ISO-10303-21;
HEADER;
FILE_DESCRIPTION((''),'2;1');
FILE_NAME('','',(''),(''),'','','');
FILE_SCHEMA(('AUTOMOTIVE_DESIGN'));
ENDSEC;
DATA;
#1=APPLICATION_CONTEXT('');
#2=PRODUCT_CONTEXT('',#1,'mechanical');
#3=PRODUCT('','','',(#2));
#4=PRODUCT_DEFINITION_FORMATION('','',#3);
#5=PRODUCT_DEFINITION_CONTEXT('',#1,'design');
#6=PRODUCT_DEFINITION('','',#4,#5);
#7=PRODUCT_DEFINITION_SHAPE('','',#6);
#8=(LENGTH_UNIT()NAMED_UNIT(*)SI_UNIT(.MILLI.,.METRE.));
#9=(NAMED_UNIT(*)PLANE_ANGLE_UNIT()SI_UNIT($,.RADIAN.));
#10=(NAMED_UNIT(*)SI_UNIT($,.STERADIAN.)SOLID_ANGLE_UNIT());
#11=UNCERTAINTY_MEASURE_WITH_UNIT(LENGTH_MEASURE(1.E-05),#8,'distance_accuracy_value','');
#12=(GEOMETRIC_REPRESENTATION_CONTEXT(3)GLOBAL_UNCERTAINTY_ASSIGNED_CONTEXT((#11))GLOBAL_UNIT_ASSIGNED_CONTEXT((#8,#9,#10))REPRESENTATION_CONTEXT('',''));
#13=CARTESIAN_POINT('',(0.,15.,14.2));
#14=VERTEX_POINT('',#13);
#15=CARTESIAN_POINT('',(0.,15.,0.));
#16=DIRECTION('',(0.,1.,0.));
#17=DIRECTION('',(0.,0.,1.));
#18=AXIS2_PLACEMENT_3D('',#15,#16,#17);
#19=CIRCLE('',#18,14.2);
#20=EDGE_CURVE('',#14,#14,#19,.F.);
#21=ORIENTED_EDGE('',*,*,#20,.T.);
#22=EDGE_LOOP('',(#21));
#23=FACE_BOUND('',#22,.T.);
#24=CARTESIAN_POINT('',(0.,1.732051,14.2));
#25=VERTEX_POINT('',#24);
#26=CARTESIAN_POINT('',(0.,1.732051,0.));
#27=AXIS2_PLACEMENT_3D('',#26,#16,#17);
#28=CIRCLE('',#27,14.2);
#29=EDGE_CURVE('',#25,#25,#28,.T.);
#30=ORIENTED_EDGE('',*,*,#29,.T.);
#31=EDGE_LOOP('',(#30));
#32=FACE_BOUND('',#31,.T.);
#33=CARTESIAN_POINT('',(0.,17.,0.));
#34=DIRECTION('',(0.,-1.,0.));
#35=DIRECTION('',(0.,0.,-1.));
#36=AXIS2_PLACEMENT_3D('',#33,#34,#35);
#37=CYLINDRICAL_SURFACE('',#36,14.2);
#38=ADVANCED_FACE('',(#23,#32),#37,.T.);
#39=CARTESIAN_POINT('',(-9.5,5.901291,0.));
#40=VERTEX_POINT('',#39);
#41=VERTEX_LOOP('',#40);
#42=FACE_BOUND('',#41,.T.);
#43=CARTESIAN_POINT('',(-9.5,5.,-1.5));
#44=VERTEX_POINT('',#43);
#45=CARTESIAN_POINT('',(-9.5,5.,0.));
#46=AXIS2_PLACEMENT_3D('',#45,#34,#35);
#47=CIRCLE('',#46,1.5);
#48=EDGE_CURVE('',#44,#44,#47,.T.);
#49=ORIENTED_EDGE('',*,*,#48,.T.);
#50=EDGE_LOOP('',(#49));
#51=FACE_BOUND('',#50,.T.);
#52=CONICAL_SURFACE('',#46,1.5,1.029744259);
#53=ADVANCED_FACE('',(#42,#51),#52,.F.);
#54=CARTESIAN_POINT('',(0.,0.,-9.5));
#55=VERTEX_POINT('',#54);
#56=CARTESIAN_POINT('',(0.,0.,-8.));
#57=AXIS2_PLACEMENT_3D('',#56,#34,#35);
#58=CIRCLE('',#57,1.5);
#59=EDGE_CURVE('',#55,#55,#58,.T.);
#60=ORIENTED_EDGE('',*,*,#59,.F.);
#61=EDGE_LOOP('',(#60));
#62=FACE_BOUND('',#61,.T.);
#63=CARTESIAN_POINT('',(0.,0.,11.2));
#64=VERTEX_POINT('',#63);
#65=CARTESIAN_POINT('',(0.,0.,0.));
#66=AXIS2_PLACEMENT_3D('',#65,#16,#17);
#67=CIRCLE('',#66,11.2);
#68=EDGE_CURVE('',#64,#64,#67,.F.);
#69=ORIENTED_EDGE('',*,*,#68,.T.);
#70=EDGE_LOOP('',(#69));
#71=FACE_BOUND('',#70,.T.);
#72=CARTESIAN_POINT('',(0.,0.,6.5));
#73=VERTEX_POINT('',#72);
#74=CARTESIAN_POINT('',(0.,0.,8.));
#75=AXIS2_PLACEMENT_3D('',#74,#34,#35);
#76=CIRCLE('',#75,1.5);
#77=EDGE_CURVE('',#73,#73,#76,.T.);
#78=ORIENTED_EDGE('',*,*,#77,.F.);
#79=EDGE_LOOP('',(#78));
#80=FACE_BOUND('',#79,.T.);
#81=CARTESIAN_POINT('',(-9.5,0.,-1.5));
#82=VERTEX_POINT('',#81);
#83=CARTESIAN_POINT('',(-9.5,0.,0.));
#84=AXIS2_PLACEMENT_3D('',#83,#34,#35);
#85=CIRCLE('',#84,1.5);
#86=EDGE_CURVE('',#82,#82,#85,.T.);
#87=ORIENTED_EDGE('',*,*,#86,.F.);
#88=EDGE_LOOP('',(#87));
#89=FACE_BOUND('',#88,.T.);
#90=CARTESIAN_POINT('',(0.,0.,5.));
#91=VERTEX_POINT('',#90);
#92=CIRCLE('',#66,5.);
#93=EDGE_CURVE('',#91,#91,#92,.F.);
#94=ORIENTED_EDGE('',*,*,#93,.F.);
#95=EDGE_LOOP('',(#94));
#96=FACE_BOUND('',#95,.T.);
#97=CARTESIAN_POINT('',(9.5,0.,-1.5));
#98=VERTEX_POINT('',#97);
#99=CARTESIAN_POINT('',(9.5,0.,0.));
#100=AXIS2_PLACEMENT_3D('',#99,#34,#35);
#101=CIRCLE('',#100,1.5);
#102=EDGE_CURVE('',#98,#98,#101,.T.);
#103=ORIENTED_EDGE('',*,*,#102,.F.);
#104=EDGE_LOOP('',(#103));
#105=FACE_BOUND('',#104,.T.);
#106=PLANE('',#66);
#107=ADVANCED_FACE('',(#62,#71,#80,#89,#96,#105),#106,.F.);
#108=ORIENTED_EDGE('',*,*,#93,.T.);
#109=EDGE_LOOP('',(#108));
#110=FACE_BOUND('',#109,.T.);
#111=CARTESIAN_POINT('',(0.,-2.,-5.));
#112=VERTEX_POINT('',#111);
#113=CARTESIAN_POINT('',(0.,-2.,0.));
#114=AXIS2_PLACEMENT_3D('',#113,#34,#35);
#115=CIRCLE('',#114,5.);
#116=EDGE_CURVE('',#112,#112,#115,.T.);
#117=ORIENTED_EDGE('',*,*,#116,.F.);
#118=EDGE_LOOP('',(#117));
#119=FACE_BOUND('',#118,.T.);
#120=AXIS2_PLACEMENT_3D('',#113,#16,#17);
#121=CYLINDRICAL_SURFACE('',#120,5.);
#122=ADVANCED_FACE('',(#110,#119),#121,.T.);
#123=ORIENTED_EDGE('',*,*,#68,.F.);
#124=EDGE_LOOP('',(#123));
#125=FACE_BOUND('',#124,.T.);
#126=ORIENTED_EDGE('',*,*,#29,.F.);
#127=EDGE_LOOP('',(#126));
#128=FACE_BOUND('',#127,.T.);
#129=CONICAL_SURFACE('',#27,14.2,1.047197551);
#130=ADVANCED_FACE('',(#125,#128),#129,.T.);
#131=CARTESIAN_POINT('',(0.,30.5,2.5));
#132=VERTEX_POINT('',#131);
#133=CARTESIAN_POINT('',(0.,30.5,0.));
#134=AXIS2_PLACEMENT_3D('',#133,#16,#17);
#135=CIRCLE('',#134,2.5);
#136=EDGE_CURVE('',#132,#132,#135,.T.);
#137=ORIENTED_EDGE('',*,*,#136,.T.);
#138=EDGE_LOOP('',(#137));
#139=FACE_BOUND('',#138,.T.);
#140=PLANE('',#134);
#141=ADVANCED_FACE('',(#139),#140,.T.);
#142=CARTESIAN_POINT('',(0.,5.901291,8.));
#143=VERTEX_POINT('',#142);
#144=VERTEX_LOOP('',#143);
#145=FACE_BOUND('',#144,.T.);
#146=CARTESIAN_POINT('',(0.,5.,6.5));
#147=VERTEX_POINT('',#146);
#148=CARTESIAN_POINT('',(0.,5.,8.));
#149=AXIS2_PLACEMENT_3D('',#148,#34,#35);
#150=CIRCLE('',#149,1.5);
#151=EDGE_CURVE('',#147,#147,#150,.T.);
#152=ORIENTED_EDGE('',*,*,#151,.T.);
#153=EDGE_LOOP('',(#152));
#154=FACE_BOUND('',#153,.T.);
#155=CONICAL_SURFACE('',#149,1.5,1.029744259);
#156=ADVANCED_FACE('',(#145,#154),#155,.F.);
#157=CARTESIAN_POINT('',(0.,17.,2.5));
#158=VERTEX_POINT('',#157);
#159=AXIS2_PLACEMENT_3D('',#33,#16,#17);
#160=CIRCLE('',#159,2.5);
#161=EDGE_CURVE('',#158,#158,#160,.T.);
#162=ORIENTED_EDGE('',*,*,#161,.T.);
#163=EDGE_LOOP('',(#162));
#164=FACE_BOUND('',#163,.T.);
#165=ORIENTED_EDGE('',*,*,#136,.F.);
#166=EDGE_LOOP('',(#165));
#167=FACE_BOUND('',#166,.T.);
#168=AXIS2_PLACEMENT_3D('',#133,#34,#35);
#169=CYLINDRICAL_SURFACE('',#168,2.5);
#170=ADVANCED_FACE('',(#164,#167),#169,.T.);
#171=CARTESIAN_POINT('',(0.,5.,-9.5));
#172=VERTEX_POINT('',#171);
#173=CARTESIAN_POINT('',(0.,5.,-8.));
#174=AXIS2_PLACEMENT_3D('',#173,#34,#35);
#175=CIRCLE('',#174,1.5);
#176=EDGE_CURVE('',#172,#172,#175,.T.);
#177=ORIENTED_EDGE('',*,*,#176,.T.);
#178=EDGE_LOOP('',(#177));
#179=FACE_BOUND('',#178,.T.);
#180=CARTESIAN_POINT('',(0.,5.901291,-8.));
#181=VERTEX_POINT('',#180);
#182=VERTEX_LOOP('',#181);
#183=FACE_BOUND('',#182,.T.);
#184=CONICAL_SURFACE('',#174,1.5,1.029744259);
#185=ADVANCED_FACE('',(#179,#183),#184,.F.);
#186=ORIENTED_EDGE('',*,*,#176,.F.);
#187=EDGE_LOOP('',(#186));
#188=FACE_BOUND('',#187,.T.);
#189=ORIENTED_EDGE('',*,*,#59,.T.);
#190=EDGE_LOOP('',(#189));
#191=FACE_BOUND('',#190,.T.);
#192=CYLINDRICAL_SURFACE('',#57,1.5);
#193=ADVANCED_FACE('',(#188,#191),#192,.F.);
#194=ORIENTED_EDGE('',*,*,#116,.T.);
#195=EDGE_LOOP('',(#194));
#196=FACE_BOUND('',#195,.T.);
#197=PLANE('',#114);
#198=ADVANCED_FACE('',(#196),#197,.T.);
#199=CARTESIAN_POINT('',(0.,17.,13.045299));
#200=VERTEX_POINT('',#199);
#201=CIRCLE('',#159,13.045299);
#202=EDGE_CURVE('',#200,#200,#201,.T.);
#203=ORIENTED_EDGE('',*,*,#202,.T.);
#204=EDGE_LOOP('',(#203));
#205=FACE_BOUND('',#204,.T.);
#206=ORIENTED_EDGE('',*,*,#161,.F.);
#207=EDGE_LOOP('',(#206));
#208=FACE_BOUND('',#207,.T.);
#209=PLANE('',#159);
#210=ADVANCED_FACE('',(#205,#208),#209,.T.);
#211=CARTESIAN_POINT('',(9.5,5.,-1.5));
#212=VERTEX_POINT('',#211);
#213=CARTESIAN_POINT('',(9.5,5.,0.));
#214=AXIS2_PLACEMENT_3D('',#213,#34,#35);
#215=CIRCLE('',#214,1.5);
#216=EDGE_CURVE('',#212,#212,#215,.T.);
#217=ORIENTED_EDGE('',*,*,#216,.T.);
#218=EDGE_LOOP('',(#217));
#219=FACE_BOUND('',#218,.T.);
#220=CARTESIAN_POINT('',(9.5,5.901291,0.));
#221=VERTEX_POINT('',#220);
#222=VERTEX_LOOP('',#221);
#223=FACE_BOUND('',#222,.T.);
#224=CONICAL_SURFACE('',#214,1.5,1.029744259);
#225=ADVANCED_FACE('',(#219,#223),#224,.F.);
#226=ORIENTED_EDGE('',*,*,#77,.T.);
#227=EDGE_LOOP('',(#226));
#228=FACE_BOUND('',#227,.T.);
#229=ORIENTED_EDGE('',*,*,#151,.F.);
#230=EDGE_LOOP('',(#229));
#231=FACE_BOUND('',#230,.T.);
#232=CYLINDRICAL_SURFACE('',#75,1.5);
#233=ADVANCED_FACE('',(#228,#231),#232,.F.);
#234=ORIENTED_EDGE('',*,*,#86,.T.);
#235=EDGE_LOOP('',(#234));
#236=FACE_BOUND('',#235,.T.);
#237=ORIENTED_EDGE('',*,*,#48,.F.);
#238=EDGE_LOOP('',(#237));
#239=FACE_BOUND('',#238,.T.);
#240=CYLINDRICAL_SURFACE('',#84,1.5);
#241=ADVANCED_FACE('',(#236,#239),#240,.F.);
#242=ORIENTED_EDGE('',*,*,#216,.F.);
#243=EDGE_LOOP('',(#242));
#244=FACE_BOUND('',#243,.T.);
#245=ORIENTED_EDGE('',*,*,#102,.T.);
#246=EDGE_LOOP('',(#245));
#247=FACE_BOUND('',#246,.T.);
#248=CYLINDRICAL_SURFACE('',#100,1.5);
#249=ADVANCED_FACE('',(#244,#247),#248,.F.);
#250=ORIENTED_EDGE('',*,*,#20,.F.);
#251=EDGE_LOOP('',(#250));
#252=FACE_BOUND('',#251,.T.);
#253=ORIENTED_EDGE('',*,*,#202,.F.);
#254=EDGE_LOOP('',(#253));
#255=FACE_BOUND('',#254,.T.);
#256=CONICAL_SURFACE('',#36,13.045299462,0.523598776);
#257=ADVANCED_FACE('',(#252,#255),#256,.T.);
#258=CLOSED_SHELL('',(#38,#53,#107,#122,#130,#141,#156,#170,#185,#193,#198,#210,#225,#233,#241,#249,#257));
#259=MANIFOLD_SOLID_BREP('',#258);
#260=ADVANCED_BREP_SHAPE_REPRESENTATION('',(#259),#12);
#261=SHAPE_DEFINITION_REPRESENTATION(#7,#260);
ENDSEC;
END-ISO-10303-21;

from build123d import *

# Parameters (mm, degrees)
SKETCH1_R                    = 14.2
BOSS_EXTRUDE1_DEPTH          = 17
SKETCH2_R                    = 2.5
BOSS_EXTRUDE2_DEPTH          = 13.5
CHAMFER1_SIZE                = 2
CHAMFER1_SIZE2               = 1.154700538
F_3_0_3_DIAMETER_HOLE1_D     = 3
F_3_0_3_DIAMETER_HOLE1_DEPTH = 5
F_3_0_3_DIAMETER_HOLE1_TIP   = 0.901290929
CHAMFER3_SIZE                = 3
CHAMFER3_SIZE2               = 1.732050808
SKETCH6_R                    = 5
BOSS_EXTRUDE3_DEPTH          = 2


with BuildPart() as part:
    # Sketch1 → Boss-Extrude1 (new body)
    with BuildSketch(Plane(origin=(0, 0, 0), x_dir=(1, 0, 0), z_dir=(0, 1, 0))):
        Circle(SKETCH1_R)
    extrude(amount=BOSS_EXTRUDE1_DEPTH)

    # Sketch2 → Boss-Extrude2 (add)
    with BuildSketch(Plane(origin=(0, 17, 0), x_dir=(1, 0, 0), z_dir=(0, 1, 0))):
        Circle(SKETCH2_R)
    extrude(amount=BOSS_EXTRUDE2_DEPTH)

    # Chamfer1
    chamfer1_edges = [part.edges().sort_by_distance(p)[0] for p in [
        (-14.2, 17, 0),
    ]]
    chamfer1_side = [part.faces().sort_by_distance(p)[0] for p in [
        (-14.2, 8.5, 0),
    ]]
    chamfer(chamfer1_edges, length=CHAMFER1_SIZE, length2=CHAMFER1_SIZE2, reference=chamfer1_side[0])

    # Ø3.0 (3) Diameter Hole1
    with Locations(Plane(origin=(0, 0, 0), x_dir=(-1, 0, 0), z_dir=(0, -1, 0))):
        with Locations((0, -8), (-9.5, 0), (0, 8), (9.5, 0)):
            Hole(F_3_0_3_DIAMETER_HOLE1_D / 2, depth=F_3_0_3_DIAMETER_HOLE1_DEPTH)
            with Locations((0, 0, -(F_3_0_3_DIAMETER_HOLE1_DEPTH + F_3_0_3_DIAMETER_HOLE1_TIP / 2))):  # 118° drill point
                Cone(0, F_3_0_3_DIAMETER_HOLE1_D / 2, F_3_0_3_DIAMETER_HOLE1_TIP, mode=Mode.SUBTRACT)

    # Chamfer3
    chamfer3_edges = [part.edges().sort_by_distance(p)[0] for p in [
        (-14.2, 0, 0),
    ]]
    chamfer3_side = [part.faces().sort_by_distance(p)[0] for p in [
        (0, 0, 0),
    ]]
    chamfer(chamfer3_edges, length=CHAMFER3_SIZE, length2=CHAMFER3_SIZE2, reference=chamfer3_side[0])

    # Sketch6 → Boss-Extrude3 (add)
    with BuildSketch(Plane.XZ):
        Circle(SKETCH6_R)
    extrude(amount=BOSS_EXTRUDE3_DEPTH)


solid = part.part
